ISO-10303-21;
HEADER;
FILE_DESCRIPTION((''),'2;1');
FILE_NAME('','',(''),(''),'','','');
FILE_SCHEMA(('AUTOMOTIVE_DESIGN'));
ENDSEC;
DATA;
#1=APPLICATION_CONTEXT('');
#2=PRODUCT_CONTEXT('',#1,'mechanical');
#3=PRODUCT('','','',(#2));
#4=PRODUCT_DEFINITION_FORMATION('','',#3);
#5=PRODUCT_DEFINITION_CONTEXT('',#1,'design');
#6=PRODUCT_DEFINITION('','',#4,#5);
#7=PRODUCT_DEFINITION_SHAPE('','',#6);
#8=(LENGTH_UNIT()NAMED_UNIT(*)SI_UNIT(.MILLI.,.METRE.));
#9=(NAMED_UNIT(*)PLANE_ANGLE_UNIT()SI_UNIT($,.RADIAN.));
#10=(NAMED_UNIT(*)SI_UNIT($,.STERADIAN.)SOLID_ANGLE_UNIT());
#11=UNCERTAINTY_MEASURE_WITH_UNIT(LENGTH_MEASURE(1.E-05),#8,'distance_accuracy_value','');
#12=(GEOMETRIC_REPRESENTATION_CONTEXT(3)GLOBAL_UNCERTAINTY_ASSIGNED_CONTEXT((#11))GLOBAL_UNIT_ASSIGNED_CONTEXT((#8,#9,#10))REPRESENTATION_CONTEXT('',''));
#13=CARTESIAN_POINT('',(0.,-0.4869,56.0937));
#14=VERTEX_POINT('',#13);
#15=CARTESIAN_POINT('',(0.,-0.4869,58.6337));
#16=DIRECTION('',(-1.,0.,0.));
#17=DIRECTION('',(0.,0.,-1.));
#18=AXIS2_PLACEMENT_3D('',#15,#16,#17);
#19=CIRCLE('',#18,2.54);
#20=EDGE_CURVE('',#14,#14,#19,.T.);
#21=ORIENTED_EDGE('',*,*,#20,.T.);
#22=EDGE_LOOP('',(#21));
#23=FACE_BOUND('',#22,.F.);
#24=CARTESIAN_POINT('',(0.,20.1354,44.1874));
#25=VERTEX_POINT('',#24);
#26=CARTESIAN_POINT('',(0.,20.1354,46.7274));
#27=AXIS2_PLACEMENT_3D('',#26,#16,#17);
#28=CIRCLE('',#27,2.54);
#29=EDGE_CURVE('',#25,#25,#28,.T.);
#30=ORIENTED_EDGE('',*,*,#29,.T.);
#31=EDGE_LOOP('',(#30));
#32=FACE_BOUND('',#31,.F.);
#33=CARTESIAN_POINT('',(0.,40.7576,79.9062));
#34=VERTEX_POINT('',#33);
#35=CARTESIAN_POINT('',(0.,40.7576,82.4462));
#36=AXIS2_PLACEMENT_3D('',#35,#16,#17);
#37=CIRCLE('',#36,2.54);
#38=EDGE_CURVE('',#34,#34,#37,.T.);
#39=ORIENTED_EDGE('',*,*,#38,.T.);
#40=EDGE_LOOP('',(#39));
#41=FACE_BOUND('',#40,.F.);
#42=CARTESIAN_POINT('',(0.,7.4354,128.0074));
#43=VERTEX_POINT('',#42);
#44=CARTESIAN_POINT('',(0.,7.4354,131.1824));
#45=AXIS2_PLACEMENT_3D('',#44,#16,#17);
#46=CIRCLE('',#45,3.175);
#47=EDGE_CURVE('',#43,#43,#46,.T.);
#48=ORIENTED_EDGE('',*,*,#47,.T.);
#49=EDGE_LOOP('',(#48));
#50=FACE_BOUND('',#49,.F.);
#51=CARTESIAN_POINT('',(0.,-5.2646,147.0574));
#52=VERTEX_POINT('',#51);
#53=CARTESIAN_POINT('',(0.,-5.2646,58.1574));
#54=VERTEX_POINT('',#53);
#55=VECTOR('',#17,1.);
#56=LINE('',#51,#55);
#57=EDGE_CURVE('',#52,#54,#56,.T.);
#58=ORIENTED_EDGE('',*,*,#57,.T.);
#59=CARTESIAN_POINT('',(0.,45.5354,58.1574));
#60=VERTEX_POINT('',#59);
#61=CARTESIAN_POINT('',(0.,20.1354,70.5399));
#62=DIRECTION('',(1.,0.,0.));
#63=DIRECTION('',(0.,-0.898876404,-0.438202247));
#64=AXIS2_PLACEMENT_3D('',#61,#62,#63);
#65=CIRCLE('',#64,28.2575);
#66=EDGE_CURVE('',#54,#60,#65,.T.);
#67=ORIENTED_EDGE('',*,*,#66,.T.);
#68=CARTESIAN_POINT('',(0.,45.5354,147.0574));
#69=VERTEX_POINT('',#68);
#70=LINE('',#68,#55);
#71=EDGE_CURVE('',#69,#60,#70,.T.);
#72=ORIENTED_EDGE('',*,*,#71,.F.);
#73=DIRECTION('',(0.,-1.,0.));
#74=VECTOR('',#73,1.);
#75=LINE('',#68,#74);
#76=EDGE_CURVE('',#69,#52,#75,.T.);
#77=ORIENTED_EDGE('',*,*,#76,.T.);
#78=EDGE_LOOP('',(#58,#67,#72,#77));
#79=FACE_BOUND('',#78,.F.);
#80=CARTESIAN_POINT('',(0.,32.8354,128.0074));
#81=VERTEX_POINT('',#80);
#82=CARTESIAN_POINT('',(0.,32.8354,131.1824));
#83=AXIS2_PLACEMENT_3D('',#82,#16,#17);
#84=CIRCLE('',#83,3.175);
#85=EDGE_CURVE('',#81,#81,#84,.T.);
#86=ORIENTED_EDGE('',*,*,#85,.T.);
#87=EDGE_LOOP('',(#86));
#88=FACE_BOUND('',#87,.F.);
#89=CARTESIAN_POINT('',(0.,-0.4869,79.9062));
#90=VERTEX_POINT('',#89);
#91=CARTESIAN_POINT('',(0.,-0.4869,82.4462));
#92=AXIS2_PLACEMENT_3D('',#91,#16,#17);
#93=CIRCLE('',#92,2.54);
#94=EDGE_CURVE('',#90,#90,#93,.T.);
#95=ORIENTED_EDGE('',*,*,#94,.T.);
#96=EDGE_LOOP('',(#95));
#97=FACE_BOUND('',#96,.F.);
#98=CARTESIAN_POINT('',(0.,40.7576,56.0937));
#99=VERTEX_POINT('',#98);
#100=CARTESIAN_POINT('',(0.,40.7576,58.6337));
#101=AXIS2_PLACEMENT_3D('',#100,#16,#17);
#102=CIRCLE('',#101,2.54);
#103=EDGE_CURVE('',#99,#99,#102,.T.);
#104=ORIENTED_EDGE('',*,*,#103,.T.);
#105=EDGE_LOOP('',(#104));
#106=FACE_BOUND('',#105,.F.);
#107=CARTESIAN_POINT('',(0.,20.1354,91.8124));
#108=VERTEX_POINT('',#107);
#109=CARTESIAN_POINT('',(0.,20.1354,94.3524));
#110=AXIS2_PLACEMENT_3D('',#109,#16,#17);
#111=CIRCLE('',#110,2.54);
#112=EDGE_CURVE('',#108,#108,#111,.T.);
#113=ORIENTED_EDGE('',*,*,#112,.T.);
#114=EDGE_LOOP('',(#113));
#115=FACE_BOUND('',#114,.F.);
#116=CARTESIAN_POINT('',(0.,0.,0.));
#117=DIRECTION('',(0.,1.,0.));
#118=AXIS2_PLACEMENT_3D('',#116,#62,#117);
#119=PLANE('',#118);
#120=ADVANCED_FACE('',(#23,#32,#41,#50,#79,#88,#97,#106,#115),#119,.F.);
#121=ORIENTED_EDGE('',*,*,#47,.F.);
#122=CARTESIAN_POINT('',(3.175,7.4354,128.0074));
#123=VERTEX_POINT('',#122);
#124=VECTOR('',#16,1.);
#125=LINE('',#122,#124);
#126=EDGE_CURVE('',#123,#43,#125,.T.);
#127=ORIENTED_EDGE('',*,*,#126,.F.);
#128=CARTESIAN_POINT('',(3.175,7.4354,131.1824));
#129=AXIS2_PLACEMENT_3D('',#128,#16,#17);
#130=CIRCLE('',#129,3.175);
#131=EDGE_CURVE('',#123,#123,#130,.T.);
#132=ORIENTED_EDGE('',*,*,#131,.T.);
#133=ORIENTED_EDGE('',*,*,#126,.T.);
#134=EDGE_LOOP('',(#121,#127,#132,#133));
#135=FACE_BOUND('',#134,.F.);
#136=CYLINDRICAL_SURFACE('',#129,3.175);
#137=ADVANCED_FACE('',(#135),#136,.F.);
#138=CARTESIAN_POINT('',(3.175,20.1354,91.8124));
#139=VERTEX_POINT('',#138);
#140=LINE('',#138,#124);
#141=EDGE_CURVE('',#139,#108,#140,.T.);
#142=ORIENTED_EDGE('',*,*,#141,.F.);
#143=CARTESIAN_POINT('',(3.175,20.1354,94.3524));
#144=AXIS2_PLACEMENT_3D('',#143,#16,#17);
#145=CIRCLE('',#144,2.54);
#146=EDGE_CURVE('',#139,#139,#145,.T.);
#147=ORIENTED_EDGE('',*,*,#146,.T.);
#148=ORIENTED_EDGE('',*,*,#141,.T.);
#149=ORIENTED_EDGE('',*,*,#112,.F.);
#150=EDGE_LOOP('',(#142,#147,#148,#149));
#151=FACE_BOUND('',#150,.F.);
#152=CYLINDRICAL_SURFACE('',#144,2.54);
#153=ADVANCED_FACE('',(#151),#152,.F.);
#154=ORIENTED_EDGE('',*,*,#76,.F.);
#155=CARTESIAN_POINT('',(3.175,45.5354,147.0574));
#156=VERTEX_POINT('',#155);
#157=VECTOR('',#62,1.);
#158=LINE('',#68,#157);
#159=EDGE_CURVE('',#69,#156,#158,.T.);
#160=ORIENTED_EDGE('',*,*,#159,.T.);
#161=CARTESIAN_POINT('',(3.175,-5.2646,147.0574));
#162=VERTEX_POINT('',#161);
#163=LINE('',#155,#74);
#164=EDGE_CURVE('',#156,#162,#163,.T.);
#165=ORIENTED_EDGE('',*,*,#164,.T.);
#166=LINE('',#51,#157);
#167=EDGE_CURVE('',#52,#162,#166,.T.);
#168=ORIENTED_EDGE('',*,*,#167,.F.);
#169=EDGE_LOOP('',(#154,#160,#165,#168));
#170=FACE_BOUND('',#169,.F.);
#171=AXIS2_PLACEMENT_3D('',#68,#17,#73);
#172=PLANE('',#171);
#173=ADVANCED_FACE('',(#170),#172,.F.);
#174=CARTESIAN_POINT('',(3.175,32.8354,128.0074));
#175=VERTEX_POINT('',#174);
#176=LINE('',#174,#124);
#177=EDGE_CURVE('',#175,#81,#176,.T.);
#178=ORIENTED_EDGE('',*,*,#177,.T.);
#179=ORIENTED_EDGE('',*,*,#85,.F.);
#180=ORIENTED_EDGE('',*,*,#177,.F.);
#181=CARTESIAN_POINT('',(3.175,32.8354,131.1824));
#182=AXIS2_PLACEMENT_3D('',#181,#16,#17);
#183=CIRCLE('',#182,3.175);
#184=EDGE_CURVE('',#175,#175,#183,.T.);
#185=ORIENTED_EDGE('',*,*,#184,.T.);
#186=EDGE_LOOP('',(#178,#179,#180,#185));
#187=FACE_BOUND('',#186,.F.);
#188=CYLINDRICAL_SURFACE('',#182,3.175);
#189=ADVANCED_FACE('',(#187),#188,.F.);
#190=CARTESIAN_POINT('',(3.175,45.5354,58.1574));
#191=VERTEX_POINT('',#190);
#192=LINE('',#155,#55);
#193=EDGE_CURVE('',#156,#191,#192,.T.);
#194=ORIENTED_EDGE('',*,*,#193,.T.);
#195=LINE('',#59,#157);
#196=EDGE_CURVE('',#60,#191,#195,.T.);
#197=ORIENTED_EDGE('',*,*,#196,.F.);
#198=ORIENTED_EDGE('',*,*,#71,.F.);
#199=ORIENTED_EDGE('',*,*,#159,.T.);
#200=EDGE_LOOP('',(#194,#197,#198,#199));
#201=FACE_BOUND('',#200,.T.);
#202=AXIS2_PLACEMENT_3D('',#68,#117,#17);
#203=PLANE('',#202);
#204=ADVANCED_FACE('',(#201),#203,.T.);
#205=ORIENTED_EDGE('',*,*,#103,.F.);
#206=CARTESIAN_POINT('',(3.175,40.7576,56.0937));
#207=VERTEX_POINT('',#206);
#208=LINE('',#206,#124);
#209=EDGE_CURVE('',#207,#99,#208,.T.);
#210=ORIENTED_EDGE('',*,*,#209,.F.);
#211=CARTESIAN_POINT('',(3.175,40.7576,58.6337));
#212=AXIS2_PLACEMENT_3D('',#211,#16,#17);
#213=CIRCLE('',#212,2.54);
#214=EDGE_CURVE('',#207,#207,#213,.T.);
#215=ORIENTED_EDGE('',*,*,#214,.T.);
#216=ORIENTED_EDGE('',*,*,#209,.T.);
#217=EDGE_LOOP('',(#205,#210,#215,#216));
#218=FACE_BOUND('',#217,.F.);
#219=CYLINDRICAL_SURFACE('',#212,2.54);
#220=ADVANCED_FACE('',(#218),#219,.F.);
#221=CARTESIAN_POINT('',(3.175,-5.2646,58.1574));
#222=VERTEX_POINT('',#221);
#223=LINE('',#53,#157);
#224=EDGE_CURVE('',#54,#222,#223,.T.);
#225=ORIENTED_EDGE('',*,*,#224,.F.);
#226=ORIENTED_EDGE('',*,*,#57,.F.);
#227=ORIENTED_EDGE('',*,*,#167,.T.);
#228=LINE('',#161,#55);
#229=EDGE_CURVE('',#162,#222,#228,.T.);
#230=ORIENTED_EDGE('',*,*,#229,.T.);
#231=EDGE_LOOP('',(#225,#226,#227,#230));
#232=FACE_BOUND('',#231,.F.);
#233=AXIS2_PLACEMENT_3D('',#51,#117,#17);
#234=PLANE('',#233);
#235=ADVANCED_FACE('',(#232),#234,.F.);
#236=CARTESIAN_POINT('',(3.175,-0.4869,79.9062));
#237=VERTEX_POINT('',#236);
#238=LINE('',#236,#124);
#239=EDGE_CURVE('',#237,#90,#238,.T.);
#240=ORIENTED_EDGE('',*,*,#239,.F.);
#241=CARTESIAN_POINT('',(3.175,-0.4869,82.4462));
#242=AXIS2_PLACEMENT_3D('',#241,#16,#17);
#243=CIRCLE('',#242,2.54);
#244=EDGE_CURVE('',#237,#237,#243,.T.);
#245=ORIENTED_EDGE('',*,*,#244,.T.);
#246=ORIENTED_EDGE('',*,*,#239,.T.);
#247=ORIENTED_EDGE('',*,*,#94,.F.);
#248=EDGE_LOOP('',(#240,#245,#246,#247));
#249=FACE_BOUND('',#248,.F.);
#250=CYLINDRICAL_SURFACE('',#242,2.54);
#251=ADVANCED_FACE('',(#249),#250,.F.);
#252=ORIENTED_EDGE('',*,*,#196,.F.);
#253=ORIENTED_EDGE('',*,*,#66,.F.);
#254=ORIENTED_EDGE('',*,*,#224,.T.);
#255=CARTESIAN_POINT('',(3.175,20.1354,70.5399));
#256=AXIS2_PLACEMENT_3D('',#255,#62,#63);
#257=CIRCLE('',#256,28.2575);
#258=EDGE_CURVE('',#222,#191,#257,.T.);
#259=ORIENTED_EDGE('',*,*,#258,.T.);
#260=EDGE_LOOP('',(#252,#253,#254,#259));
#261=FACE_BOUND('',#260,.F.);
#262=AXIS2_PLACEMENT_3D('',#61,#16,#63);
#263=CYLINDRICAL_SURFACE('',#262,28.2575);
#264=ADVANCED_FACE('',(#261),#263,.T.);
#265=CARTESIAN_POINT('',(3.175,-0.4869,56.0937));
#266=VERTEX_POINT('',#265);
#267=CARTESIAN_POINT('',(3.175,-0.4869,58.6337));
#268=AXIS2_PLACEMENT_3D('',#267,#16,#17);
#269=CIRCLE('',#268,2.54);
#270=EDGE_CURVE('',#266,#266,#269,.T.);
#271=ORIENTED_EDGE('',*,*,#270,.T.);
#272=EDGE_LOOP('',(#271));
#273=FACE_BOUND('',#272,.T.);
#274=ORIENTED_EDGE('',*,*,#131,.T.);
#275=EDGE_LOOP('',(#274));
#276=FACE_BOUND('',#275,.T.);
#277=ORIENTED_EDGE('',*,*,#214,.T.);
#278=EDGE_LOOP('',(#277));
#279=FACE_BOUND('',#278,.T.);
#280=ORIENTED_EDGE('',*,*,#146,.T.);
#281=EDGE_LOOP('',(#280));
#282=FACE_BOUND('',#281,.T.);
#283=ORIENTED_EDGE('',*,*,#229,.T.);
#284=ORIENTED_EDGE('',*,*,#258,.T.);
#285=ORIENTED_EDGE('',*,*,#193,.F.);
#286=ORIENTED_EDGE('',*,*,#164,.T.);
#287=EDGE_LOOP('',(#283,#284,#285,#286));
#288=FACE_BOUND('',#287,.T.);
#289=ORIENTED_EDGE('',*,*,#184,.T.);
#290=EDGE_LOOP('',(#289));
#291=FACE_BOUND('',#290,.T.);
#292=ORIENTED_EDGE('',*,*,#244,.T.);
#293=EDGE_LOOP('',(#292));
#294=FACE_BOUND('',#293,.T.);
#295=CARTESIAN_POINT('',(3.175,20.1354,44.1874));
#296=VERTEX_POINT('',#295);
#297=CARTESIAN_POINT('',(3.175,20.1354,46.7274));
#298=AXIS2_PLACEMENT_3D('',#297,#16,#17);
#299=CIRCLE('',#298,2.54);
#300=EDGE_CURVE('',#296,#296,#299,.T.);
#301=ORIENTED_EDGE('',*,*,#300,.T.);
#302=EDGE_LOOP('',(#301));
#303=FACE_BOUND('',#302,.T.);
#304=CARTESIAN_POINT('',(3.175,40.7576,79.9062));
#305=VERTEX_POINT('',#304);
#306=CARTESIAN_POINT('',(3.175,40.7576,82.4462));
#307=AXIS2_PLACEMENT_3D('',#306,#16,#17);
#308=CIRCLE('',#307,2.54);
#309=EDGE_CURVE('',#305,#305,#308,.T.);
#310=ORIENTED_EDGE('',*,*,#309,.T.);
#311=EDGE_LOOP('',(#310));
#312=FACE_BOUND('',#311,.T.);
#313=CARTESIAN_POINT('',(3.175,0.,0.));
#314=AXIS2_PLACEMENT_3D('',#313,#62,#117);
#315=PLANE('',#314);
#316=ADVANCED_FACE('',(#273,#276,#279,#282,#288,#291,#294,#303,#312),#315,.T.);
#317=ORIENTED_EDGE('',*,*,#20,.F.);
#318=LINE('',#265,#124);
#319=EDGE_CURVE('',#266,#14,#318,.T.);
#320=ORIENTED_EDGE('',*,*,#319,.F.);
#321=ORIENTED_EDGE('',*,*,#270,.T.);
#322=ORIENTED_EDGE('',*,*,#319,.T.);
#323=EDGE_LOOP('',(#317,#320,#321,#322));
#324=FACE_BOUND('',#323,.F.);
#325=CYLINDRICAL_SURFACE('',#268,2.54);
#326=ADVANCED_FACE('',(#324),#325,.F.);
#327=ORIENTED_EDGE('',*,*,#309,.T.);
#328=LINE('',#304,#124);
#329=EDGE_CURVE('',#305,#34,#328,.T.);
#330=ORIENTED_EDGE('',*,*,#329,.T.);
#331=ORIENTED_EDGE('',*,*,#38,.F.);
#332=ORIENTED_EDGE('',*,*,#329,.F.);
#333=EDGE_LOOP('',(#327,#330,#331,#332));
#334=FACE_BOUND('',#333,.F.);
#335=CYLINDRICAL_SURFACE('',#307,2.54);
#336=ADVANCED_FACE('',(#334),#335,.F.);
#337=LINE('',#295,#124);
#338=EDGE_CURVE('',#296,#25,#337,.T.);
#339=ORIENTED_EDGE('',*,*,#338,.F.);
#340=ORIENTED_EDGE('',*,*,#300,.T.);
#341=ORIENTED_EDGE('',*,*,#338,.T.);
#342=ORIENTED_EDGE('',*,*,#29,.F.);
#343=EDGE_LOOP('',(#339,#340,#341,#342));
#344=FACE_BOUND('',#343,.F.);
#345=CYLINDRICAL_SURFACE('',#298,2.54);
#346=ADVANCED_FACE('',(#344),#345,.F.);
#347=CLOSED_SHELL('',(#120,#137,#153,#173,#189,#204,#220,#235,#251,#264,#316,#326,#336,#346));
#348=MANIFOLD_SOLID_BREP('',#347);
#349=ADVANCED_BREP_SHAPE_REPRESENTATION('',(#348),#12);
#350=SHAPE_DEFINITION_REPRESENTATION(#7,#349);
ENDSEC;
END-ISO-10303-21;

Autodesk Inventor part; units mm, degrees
ref_plane "YZ Plane" through (0, 0, 0) normal (1, 0, 0) x (0, 1, 0)
ref_plane "XZ Plane" through (0, 0, 0) normal (0, 1, 0) x (-1, 0, 0)
ref_plane "XY Plane" through (0, 0, 0) normal (0, 0, 1) x (1, 0, 0)
sketch "Sketch1" plane through (0, 0, 0) normal (1, 0, 0) x (0, 1, 0)
  line L0 (45.5354, 147.0574) -> (-5.2646, 147.0574)
  line L1 (-5.2646, 147.0574) -> (-5.2646, 58.1574)
  arc A0 (-5.2646, 58.1574) -> (45.5354, 58.1574) centre (20.1354, 70.5399) ccw
  line L2 (45.5354, 147.0574) -> (45.5354, 58.1574)
  point P0 (20.1354, 42.2824)
  dimension "d0" = 50.8
  dimension "d1" = 88.9
  dimension "d2" = 15.875
extrude "Extrusion1" add sketch "Sketch1" along normal blind 3.175
sketch "Sketch2" plane through (3.175, 0, 0) normal (1, 0, 0) x (0, 0, -1)
  line L0 (-147.0574, 45.5354) -> (-147.0574, -5.2646) projected
  line L1 (-82.4462, 40.7576) -> (-58.6337, -0.4869)
  point P0 (-82.4462, 40.7576)
  point P1 (-94.3524, 20.1354)
  point P2 (-58.6337, 40.7576)
  point P3 (-46.7274, 20.1354)
  point P4 (-58.6337, -0.4869)
  point P5 (-82.4462, -0.4869)
  dimension "d5" = 47.625
  dimension "d6" = 30
hole "Hole1" at (3.175, 40.7576, 82.4462) at (3.175, 20.1354, 94.3524) at (3.175, 40.7576, 58.6337) at (3.175, 20.1354, 46.7274) at (3.175, -0.4869, 58.6337) at (3.175, -0.4869, 82.4462) direction (-1, 0, 0) diameter 5.08 end through all
sketch "Sketch3" plane through (3.175, 0, 0) normal (1, 0, 0) x (0, 0, -1)
  line L0 (-147.0574, 45.5354) -> (-147.0574, -5.2646) projected
  line L1 (-58.1574, 45.5354) -> (-147.0574, 45.5354) projected
  point P0 (-131.1824, 32.8354)
  point P1 (-131.1824, 7.4354)
  dimension "d18" = 25.4
  dimension "d19" = 12.7
  dimension "d20" = 15.875
hole "Hole2" at (3.175, 32.8354, 131.1824) at (3.175, 7.4354, 131.1824) direction (-1, 0, 0) diameter 6.35 end through all
properties part number "Hub Mount Plate"
